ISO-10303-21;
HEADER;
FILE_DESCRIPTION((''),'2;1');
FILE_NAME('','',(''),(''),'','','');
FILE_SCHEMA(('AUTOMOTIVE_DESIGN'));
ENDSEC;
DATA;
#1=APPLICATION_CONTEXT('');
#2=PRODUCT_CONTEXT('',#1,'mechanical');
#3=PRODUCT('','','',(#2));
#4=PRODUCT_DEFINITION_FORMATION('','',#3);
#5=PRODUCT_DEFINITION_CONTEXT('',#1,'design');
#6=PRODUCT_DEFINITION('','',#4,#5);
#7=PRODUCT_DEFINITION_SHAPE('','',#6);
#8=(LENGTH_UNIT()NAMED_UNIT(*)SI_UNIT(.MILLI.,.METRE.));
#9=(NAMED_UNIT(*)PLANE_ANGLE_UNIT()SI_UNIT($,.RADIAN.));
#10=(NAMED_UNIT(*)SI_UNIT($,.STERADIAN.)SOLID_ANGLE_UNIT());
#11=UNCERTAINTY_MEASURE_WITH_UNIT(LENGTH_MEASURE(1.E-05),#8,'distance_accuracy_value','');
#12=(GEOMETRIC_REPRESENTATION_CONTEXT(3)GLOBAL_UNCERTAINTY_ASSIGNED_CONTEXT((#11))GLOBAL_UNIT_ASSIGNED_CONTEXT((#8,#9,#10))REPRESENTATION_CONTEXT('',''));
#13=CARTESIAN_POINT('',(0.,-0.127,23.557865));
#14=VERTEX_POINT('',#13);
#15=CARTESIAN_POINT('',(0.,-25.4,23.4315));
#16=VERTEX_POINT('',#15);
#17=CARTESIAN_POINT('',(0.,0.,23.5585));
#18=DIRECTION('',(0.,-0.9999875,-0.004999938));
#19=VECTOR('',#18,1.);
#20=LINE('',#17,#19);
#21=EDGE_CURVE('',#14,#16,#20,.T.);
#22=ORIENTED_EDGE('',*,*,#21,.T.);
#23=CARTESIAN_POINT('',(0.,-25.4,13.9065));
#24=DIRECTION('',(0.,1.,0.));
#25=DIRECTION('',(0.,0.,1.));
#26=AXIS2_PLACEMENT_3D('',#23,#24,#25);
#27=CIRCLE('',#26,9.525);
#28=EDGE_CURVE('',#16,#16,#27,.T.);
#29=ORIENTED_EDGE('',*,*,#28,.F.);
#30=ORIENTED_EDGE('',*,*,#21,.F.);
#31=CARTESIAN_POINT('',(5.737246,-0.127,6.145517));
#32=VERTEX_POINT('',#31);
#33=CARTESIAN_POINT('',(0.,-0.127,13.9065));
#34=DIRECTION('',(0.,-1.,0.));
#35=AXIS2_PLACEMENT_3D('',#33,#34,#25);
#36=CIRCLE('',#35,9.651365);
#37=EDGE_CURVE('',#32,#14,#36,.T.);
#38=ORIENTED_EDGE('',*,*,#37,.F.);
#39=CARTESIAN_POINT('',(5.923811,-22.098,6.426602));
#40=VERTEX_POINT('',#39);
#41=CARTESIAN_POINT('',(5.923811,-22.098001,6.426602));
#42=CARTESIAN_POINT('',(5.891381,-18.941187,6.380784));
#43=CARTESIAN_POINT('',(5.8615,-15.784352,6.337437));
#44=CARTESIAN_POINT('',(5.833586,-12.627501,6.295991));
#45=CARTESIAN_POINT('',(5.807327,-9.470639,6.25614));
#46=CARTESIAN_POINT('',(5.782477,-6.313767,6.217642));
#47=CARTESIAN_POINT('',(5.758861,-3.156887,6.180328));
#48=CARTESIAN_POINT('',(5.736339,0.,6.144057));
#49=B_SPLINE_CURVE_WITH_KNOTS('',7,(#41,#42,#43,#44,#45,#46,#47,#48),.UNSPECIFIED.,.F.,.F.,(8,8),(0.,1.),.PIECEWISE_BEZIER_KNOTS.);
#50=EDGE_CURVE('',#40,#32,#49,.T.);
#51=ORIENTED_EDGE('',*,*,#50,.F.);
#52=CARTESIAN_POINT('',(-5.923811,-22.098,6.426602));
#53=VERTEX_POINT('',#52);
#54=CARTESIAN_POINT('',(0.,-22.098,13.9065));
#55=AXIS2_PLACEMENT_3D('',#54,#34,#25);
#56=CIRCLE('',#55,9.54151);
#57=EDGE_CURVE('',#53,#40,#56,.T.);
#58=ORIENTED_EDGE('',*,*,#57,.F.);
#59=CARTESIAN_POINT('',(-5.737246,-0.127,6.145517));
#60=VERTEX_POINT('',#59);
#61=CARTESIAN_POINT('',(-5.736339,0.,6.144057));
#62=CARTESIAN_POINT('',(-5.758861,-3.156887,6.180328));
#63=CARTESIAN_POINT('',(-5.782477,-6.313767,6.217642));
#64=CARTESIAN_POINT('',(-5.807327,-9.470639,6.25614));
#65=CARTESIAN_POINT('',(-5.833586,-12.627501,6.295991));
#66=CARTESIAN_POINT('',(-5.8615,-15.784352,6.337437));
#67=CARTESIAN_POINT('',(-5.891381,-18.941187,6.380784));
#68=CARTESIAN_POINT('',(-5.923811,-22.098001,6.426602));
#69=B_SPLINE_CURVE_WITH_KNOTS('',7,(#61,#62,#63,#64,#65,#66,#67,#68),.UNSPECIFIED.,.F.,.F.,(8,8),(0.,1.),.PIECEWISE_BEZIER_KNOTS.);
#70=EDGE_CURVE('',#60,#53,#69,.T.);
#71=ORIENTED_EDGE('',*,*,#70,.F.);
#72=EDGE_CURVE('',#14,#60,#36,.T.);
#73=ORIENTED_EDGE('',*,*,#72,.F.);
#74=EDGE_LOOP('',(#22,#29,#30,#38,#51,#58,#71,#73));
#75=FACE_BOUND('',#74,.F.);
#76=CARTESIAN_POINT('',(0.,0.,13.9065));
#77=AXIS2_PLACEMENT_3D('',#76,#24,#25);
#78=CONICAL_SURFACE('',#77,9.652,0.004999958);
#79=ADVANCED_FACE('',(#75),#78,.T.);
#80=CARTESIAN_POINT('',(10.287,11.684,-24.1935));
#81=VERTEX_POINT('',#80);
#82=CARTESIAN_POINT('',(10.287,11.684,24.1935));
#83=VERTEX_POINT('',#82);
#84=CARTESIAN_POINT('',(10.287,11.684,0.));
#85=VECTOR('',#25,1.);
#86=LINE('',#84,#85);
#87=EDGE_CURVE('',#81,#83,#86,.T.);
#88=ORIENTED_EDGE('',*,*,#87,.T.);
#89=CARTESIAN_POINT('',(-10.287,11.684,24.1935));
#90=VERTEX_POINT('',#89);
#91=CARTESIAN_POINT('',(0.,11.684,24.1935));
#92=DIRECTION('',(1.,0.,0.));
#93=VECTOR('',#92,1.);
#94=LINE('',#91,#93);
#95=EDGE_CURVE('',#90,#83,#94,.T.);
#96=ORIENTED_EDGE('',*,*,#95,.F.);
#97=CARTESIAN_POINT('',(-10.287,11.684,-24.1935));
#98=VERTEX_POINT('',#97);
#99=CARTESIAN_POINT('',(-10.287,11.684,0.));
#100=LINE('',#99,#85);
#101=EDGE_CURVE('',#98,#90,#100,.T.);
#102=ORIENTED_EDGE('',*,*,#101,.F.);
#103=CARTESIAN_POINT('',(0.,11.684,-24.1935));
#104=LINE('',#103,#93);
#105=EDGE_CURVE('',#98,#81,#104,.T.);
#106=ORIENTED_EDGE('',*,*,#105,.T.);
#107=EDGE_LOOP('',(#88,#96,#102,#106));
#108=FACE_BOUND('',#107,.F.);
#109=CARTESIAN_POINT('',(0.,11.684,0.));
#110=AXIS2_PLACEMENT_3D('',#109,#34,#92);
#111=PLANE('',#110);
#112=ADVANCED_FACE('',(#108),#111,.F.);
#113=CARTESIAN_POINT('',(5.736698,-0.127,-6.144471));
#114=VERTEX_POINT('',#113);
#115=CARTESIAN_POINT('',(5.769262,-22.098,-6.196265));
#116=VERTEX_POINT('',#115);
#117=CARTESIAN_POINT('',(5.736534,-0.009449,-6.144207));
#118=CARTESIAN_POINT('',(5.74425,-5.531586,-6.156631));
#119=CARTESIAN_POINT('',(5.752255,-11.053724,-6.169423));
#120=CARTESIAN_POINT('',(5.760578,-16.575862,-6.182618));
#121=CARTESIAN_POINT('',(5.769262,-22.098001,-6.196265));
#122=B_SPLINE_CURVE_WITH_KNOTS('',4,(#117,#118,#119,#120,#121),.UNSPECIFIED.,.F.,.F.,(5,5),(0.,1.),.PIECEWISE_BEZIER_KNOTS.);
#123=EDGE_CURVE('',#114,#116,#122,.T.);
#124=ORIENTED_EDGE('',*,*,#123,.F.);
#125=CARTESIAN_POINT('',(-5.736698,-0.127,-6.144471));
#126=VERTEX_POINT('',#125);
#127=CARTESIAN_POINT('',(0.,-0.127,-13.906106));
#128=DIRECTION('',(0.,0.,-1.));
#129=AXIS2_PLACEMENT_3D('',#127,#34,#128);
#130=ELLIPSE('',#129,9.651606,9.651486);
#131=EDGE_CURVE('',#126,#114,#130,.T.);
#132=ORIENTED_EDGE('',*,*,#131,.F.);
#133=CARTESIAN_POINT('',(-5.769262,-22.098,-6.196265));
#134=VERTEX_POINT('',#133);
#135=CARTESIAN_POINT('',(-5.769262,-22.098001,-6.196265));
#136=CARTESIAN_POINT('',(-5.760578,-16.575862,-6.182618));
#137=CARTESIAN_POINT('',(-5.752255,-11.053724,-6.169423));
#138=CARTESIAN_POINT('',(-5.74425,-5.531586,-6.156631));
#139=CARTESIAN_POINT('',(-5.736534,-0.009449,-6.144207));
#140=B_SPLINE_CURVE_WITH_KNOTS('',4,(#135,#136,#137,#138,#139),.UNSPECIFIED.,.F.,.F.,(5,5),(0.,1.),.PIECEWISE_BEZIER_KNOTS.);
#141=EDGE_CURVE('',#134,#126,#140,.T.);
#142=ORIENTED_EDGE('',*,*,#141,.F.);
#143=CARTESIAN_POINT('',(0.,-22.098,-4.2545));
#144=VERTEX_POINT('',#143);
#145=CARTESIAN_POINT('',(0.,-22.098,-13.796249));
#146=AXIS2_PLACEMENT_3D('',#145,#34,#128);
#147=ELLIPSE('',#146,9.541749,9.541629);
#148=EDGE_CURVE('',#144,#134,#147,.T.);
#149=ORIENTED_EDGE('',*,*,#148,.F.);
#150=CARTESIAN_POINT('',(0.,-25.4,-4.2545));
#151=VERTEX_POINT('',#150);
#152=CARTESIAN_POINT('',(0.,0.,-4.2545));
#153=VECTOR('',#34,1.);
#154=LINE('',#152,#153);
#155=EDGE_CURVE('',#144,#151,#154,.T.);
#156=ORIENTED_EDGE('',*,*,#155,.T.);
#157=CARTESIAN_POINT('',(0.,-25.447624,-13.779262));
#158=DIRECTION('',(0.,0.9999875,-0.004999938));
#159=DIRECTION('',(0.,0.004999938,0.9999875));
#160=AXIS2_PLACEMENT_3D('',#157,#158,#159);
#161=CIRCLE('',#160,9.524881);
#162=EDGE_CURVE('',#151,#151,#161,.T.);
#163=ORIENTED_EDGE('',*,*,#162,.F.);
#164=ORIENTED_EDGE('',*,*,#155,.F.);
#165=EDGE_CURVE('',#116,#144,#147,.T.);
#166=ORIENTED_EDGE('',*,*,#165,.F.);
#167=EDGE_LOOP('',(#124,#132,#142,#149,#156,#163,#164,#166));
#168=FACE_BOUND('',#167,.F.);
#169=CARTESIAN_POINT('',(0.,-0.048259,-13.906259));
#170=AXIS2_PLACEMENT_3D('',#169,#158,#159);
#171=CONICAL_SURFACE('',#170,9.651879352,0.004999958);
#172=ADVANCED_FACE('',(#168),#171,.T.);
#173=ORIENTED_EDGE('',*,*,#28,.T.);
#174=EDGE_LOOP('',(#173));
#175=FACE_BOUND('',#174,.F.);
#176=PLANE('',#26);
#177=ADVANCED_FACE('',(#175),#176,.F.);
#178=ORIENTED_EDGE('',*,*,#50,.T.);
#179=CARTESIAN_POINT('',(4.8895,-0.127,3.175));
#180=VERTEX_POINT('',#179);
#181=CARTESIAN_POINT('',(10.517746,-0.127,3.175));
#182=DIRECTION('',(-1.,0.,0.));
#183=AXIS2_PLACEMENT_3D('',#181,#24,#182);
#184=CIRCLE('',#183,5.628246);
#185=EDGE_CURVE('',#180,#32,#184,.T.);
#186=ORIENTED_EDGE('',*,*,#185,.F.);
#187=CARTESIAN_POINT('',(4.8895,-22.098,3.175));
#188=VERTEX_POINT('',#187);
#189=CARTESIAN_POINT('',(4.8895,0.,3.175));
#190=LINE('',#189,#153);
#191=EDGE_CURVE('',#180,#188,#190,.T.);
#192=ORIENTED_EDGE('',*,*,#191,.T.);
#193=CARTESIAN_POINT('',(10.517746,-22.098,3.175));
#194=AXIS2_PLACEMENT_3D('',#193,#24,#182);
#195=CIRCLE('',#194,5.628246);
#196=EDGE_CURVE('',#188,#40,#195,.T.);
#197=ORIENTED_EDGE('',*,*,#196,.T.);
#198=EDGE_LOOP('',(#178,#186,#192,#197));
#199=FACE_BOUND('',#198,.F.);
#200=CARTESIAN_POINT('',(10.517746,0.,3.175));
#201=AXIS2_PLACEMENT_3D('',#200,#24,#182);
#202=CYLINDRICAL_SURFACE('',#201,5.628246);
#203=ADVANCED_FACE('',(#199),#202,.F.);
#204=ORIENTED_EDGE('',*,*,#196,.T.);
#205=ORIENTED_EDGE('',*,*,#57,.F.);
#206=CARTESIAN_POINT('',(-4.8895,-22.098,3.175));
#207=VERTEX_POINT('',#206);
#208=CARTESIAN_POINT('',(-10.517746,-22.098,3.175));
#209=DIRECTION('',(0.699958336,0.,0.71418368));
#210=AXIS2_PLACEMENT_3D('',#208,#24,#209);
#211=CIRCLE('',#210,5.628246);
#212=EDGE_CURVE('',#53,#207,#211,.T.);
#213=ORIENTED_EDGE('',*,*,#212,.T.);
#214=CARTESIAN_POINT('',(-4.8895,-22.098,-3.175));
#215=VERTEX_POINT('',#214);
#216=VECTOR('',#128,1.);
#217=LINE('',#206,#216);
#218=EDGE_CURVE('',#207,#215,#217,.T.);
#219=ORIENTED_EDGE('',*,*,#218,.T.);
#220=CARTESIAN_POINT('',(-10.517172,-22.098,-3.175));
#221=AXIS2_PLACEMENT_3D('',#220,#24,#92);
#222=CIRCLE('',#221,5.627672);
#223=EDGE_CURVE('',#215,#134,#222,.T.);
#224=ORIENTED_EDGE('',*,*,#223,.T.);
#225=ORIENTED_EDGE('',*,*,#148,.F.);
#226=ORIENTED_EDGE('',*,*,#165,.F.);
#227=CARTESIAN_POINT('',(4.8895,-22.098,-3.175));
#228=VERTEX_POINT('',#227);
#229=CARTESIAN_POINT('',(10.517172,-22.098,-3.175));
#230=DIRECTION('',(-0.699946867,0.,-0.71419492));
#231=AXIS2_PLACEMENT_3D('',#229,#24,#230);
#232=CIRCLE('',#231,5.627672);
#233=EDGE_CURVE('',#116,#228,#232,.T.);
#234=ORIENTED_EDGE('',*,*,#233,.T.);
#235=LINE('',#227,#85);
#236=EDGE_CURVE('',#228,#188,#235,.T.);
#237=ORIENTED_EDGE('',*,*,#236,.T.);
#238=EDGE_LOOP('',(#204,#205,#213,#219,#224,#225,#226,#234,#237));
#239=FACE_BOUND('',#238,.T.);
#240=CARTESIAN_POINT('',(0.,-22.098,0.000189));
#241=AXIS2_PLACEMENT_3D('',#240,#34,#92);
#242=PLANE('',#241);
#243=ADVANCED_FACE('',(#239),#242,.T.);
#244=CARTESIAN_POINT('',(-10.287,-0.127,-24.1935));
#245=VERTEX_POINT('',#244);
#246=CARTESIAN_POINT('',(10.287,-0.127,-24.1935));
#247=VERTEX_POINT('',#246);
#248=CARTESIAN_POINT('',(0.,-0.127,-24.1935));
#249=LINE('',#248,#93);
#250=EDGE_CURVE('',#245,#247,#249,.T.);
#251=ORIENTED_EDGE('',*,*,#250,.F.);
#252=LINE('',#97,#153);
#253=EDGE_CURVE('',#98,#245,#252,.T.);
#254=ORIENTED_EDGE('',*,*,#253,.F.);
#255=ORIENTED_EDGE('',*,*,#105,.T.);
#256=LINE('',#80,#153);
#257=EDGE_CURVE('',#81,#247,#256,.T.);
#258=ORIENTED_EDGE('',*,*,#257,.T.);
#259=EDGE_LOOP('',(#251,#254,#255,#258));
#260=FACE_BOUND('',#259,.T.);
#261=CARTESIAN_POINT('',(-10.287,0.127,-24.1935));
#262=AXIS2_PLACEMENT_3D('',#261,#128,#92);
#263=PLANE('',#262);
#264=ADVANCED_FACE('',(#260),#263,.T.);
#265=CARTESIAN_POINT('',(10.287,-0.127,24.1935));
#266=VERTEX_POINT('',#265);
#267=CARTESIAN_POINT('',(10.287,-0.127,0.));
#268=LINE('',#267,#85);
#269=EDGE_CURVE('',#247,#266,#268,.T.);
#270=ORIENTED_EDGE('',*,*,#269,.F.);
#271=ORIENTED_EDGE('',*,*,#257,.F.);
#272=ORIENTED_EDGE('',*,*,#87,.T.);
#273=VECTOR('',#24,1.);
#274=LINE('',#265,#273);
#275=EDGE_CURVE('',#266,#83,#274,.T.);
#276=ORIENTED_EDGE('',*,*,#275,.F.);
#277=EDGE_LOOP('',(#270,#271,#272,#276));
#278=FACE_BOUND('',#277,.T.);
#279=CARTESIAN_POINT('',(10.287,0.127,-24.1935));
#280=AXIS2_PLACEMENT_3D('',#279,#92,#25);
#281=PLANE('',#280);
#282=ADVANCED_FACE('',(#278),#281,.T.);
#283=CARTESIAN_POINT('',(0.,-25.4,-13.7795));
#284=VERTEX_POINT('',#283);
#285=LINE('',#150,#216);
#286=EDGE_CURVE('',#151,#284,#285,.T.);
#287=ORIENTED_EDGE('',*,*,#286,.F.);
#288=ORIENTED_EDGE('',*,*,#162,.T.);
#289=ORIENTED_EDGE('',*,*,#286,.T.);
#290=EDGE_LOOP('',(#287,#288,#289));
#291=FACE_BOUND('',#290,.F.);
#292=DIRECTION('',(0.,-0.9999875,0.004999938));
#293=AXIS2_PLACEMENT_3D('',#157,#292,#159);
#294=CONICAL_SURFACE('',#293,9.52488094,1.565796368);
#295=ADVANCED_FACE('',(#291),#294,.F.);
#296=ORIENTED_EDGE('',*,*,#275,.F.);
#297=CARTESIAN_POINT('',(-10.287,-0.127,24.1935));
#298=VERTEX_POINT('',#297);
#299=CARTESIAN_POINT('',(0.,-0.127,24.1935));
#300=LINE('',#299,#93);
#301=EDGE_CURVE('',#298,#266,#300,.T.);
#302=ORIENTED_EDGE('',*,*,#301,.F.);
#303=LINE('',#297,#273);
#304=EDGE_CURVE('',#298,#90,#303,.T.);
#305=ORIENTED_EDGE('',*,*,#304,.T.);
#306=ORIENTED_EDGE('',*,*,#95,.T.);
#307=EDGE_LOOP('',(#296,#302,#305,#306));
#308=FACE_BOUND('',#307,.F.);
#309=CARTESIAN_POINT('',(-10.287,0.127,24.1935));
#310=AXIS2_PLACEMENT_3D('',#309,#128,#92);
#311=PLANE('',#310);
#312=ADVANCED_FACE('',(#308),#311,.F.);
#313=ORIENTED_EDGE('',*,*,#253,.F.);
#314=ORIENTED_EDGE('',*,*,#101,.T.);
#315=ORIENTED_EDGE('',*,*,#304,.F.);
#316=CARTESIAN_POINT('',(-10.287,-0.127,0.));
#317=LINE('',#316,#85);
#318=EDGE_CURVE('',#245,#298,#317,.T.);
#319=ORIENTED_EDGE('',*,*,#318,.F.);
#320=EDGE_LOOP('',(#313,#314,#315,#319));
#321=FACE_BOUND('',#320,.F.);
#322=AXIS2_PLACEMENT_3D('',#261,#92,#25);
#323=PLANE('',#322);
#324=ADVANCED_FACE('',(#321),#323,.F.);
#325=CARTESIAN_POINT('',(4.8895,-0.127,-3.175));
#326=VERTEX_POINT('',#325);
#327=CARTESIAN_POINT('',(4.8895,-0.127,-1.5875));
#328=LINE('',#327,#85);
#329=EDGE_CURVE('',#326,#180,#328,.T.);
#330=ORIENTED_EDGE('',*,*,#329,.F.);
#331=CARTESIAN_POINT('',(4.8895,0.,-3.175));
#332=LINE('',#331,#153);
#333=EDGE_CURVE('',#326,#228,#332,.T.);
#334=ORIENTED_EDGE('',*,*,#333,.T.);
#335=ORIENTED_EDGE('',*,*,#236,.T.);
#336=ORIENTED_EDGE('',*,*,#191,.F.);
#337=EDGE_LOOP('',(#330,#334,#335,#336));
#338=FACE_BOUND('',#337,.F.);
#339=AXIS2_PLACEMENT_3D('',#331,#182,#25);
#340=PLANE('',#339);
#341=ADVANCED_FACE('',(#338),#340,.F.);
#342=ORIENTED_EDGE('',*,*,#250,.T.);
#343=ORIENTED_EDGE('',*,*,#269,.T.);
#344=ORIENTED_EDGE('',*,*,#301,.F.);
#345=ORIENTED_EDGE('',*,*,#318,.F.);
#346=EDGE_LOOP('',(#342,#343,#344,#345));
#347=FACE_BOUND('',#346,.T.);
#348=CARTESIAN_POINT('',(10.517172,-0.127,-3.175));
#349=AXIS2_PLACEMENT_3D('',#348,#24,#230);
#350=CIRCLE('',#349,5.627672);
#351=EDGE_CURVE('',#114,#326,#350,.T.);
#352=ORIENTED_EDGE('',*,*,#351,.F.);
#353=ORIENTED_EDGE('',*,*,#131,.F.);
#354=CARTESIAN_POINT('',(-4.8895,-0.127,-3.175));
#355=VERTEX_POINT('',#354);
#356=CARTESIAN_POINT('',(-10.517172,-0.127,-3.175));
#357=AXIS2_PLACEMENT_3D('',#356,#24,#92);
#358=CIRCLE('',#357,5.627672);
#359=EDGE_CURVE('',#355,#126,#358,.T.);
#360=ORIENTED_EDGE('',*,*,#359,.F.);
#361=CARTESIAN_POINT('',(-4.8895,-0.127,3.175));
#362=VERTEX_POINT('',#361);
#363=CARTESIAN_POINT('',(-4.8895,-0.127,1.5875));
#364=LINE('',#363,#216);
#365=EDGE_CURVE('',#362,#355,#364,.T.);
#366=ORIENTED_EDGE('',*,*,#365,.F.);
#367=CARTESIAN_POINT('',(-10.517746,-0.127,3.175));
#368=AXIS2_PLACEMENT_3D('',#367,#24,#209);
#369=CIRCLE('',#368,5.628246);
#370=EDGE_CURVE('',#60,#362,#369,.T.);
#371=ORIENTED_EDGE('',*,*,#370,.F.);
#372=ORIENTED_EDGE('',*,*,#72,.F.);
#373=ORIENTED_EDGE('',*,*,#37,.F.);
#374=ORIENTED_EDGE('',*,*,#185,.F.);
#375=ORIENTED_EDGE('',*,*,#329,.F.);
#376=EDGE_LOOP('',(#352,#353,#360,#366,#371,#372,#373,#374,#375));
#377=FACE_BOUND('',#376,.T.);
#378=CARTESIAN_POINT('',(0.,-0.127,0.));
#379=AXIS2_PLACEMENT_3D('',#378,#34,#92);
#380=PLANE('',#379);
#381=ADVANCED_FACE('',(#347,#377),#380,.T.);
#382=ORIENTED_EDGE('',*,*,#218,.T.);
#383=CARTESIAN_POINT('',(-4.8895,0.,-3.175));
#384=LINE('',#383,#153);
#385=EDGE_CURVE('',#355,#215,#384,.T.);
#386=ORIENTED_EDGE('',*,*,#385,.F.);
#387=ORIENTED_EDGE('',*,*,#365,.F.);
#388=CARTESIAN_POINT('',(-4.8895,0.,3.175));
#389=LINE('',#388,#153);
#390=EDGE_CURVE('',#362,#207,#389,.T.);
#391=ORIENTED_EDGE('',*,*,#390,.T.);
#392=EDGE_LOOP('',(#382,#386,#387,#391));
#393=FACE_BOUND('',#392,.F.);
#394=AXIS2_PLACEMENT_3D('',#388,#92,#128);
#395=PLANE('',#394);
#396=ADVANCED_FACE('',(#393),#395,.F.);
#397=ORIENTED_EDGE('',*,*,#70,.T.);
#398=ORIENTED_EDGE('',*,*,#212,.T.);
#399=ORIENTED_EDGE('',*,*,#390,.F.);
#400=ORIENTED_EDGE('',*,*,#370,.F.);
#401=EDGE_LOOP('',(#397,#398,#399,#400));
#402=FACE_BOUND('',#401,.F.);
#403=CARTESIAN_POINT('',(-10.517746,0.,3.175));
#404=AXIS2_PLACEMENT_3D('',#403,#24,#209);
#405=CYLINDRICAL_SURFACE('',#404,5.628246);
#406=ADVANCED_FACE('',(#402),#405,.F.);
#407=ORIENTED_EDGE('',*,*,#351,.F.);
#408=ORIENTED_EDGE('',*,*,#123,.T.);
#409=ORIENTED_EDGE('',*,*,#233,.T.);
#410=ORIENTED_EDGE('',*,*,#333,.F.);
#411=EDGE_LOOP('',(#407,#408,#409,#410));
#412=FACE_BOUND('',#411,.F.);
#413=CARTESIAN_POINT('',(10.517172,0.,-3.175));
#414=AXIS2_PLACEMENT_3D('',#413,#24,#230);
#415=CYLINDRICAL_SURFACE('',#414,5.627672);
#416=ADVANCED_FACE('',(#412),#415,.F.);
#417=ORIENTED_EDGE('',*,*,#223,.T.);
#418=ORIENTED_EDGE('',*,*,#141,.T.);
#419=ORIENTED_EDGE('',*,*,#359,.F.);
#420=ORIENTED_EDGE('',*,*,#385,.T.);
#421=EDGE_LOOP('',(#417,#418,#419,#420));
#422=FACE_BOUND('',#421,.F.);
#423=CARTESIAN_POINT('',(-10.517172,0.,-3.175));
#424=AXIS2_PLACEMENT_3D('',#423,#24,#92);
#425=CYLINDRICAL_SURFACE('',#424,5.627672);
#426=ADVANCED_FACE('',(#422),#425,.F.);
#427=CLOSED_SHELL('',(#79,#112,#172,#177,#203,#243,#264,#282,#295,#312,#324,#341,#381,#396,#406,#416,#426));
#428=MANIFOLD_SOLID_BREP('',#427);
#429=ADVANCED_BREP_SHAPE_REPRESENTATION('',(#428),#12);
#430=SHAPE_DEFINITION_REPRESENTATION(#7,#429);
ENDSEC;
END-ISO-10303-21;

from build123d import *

# Parameters (mm, degrees)
F4_DEPTH = 22.098
F3_W     = 20.574
F3_H     = 48.387
F5_DEPTH = 0.127
F6_DEPTH = 11.557


with BuildPart() as f1:
    # F0 (on Right) → F1 (revolve)
    with BuildSketch(Plane.YZ):
        Polygon((-25.4, 23.4315), (-25.4, 13.9065), (0, 13.9065), (0, 23.5585), align=None)
    revolve(axis=Axis((0, -12.7, 13.9065), (0, 1, 0)))



with BuildPart() as f2:
    # F0 (on Right) → F2 (revolve)
    with BuildSketch(Plane.YZ):
        Polygon((0, -13.9065), (0, -4.2545), (-25.4, -4.2545), (-25.4, -13.7795), align=None)
    revolve(axis=Axis((0, -12.7, -13.843), (0, 0.9999875002, -0.0049999375)))


with BuildPart() as f1_1:
    add(f1.part)

    add(f2.part)  # F4 merges F2
    # F3 (on Front) → F4 (join)
    with BuildSketch(Plane.XZ):
        with BuildLine():
            Line((4.8895, -3.175), (4.8895, 3.175))
            ThreePointArc((4.8895, 3.175), (5.3288232031, 5.3549618496), (6.57820844, 7.1946017797))
            ThreePointArc((6.57820844, 7.1946017797), (0, 4.5085), (-6.57820844, 7.1946017797))
            ThreePointArc((-6.57820844, 7.1946017797), (-5.3288232031, 5.3549618496), (-4.8895, 3.175))
            Line((-4.8895, 3.175), (-4.8895, -3.175))
            ThreePointArc((-4.8895, -3.175), (-5.3287958737, -5.3547810515), (-6.5781006563, -7.1942548506))
            ThreePointArc((-6.5781006563, -7.1942548506), (0, -4.508258706), (6.5781006563, -7.1942548506))
            ThreePointArc((6.5781006563, -7.1942548506), (5.3287958737, -5.3547810515), (4.8895, -3.175))
        make_face()
    extrude(amount=F4_DEPTH)

    # F3 (on Front) → F5 (join, symmetric)
    with BuildSketch(Plane.XZ):
        Rectangle(F3_W, F3_H)
        with BuildLine():
            ThreePointArc((6.57820844, 7.1946017797), (5.3288232031, 5.3549618496), (4.8895, 3.175))
            Line((4.8895, 3.175), (4.8895, -3.175))
            ThreePointArc((4.8895, -3.175), (5.3287958737, -5.3547810515), (6.5781006563, -7.1942548506))
            ThreePointArc((6.5781006563, -7.1942548506), (8.6643924763, -10.2661066466), (9.398, -13.906258706))
            ThreePointArc((9.398, -13.906258706), (-3.6401520595, -22.5706511824), (-6.5781006563, -7.1942548506))
            ThreePointArc((-6.5781006563, -7.1942548506), (-5.3287958737, -5.3547810515), (-4.8895, -3.175))
            Line((-4.8895, -3.175), (-4.8895, 3.175))
            ThreePointArc((-4.8895, 3.175), (-5.3288232031, 5.3549618496), (-6.57820844, 7.1946017797))
            ThreePointArc((-6.57820844, 7.1946017797), (-3.6400824909, 22.5709217037), (9.398, 13.9065))
            ThreePointArc((9.398, 13.9065), (8.6644217037, 10.2664175091), (6.57820844, 7.1946017797))
        make_face(mode=Mode.SUBTRACT)
        with BuildLine():
            ThreePointArc((9.398, -13.906258706), (8.6643924763, -10.2661066466), (6.5781006563, -7.1942548506))
            ThreePointArc((6.5781006563, -7.1942548506), (0, -4.508258706), (-6.5781006563, -7.1942548506))
            ThreePointArc((-6.5781006563, -7.1942548506), (-3.6401520595, -22.5706511824), (9.398, -13.906258706))
        make_face()
        with BuildLine():
            Line((4.8895, -3.175), (4.8895, 3.175))
            ThreePointArc((4.8895, 3.175), (5.3288232031, 5.3549618496), (6.57820844, 7.1946017797))
            ThreePointArc((6.57820844, 7.1946017797), (0, 4.5085), (-6.57820844, 7.1946017797))
            ThreePointArc((-6.57820844, 7.1946017797), (-5.3288232031, 5.3549618496), (-4.8895, 3.175))
            Line((-4.8895, 3.175), (-4.8895, -3.175))
            ThreePointArc((-4.8895, -3.175), (-5.3287958737, -5.3547810515), (-6.5781006563, -7.1942548506))
            ThreePointArc((-6.5781006563, -7.1942548506), (0, -4.508258706), (6.5781006563, -7.1942548506))
            ThreePointArc((6.5781006563, -7.1942548506), (5.3287958737, -5.3547810515), (4.8895, -3.175))
        make_face()
        with BuildLine():
            ThreePointArc((-6.57820844, 7.1946017797), (0, 4.5085), (6.57820844, 7.1946017797))
            ThreePointArc((6.57820844, 7.1946017797), (8.6644217037, 10.2664175091), (9.398, 13.9065))
            ThreePointArc((9.398, 13.9065), (-3.6400824909, 22.5709217037), (-6.57820844, 7.1946017797))
        make_face()
    extrude(amount=F5_DEPTH, both=True)

    # F6 (add): a face of the model
    f6_faces = [f1_1.faces().sort_by_distance(p)[0] for p in [
        (0, 0.127, 0),
    ]]
    extrude(f6_faces, amount=F6_DEPTH)


solid = f1_1.part
